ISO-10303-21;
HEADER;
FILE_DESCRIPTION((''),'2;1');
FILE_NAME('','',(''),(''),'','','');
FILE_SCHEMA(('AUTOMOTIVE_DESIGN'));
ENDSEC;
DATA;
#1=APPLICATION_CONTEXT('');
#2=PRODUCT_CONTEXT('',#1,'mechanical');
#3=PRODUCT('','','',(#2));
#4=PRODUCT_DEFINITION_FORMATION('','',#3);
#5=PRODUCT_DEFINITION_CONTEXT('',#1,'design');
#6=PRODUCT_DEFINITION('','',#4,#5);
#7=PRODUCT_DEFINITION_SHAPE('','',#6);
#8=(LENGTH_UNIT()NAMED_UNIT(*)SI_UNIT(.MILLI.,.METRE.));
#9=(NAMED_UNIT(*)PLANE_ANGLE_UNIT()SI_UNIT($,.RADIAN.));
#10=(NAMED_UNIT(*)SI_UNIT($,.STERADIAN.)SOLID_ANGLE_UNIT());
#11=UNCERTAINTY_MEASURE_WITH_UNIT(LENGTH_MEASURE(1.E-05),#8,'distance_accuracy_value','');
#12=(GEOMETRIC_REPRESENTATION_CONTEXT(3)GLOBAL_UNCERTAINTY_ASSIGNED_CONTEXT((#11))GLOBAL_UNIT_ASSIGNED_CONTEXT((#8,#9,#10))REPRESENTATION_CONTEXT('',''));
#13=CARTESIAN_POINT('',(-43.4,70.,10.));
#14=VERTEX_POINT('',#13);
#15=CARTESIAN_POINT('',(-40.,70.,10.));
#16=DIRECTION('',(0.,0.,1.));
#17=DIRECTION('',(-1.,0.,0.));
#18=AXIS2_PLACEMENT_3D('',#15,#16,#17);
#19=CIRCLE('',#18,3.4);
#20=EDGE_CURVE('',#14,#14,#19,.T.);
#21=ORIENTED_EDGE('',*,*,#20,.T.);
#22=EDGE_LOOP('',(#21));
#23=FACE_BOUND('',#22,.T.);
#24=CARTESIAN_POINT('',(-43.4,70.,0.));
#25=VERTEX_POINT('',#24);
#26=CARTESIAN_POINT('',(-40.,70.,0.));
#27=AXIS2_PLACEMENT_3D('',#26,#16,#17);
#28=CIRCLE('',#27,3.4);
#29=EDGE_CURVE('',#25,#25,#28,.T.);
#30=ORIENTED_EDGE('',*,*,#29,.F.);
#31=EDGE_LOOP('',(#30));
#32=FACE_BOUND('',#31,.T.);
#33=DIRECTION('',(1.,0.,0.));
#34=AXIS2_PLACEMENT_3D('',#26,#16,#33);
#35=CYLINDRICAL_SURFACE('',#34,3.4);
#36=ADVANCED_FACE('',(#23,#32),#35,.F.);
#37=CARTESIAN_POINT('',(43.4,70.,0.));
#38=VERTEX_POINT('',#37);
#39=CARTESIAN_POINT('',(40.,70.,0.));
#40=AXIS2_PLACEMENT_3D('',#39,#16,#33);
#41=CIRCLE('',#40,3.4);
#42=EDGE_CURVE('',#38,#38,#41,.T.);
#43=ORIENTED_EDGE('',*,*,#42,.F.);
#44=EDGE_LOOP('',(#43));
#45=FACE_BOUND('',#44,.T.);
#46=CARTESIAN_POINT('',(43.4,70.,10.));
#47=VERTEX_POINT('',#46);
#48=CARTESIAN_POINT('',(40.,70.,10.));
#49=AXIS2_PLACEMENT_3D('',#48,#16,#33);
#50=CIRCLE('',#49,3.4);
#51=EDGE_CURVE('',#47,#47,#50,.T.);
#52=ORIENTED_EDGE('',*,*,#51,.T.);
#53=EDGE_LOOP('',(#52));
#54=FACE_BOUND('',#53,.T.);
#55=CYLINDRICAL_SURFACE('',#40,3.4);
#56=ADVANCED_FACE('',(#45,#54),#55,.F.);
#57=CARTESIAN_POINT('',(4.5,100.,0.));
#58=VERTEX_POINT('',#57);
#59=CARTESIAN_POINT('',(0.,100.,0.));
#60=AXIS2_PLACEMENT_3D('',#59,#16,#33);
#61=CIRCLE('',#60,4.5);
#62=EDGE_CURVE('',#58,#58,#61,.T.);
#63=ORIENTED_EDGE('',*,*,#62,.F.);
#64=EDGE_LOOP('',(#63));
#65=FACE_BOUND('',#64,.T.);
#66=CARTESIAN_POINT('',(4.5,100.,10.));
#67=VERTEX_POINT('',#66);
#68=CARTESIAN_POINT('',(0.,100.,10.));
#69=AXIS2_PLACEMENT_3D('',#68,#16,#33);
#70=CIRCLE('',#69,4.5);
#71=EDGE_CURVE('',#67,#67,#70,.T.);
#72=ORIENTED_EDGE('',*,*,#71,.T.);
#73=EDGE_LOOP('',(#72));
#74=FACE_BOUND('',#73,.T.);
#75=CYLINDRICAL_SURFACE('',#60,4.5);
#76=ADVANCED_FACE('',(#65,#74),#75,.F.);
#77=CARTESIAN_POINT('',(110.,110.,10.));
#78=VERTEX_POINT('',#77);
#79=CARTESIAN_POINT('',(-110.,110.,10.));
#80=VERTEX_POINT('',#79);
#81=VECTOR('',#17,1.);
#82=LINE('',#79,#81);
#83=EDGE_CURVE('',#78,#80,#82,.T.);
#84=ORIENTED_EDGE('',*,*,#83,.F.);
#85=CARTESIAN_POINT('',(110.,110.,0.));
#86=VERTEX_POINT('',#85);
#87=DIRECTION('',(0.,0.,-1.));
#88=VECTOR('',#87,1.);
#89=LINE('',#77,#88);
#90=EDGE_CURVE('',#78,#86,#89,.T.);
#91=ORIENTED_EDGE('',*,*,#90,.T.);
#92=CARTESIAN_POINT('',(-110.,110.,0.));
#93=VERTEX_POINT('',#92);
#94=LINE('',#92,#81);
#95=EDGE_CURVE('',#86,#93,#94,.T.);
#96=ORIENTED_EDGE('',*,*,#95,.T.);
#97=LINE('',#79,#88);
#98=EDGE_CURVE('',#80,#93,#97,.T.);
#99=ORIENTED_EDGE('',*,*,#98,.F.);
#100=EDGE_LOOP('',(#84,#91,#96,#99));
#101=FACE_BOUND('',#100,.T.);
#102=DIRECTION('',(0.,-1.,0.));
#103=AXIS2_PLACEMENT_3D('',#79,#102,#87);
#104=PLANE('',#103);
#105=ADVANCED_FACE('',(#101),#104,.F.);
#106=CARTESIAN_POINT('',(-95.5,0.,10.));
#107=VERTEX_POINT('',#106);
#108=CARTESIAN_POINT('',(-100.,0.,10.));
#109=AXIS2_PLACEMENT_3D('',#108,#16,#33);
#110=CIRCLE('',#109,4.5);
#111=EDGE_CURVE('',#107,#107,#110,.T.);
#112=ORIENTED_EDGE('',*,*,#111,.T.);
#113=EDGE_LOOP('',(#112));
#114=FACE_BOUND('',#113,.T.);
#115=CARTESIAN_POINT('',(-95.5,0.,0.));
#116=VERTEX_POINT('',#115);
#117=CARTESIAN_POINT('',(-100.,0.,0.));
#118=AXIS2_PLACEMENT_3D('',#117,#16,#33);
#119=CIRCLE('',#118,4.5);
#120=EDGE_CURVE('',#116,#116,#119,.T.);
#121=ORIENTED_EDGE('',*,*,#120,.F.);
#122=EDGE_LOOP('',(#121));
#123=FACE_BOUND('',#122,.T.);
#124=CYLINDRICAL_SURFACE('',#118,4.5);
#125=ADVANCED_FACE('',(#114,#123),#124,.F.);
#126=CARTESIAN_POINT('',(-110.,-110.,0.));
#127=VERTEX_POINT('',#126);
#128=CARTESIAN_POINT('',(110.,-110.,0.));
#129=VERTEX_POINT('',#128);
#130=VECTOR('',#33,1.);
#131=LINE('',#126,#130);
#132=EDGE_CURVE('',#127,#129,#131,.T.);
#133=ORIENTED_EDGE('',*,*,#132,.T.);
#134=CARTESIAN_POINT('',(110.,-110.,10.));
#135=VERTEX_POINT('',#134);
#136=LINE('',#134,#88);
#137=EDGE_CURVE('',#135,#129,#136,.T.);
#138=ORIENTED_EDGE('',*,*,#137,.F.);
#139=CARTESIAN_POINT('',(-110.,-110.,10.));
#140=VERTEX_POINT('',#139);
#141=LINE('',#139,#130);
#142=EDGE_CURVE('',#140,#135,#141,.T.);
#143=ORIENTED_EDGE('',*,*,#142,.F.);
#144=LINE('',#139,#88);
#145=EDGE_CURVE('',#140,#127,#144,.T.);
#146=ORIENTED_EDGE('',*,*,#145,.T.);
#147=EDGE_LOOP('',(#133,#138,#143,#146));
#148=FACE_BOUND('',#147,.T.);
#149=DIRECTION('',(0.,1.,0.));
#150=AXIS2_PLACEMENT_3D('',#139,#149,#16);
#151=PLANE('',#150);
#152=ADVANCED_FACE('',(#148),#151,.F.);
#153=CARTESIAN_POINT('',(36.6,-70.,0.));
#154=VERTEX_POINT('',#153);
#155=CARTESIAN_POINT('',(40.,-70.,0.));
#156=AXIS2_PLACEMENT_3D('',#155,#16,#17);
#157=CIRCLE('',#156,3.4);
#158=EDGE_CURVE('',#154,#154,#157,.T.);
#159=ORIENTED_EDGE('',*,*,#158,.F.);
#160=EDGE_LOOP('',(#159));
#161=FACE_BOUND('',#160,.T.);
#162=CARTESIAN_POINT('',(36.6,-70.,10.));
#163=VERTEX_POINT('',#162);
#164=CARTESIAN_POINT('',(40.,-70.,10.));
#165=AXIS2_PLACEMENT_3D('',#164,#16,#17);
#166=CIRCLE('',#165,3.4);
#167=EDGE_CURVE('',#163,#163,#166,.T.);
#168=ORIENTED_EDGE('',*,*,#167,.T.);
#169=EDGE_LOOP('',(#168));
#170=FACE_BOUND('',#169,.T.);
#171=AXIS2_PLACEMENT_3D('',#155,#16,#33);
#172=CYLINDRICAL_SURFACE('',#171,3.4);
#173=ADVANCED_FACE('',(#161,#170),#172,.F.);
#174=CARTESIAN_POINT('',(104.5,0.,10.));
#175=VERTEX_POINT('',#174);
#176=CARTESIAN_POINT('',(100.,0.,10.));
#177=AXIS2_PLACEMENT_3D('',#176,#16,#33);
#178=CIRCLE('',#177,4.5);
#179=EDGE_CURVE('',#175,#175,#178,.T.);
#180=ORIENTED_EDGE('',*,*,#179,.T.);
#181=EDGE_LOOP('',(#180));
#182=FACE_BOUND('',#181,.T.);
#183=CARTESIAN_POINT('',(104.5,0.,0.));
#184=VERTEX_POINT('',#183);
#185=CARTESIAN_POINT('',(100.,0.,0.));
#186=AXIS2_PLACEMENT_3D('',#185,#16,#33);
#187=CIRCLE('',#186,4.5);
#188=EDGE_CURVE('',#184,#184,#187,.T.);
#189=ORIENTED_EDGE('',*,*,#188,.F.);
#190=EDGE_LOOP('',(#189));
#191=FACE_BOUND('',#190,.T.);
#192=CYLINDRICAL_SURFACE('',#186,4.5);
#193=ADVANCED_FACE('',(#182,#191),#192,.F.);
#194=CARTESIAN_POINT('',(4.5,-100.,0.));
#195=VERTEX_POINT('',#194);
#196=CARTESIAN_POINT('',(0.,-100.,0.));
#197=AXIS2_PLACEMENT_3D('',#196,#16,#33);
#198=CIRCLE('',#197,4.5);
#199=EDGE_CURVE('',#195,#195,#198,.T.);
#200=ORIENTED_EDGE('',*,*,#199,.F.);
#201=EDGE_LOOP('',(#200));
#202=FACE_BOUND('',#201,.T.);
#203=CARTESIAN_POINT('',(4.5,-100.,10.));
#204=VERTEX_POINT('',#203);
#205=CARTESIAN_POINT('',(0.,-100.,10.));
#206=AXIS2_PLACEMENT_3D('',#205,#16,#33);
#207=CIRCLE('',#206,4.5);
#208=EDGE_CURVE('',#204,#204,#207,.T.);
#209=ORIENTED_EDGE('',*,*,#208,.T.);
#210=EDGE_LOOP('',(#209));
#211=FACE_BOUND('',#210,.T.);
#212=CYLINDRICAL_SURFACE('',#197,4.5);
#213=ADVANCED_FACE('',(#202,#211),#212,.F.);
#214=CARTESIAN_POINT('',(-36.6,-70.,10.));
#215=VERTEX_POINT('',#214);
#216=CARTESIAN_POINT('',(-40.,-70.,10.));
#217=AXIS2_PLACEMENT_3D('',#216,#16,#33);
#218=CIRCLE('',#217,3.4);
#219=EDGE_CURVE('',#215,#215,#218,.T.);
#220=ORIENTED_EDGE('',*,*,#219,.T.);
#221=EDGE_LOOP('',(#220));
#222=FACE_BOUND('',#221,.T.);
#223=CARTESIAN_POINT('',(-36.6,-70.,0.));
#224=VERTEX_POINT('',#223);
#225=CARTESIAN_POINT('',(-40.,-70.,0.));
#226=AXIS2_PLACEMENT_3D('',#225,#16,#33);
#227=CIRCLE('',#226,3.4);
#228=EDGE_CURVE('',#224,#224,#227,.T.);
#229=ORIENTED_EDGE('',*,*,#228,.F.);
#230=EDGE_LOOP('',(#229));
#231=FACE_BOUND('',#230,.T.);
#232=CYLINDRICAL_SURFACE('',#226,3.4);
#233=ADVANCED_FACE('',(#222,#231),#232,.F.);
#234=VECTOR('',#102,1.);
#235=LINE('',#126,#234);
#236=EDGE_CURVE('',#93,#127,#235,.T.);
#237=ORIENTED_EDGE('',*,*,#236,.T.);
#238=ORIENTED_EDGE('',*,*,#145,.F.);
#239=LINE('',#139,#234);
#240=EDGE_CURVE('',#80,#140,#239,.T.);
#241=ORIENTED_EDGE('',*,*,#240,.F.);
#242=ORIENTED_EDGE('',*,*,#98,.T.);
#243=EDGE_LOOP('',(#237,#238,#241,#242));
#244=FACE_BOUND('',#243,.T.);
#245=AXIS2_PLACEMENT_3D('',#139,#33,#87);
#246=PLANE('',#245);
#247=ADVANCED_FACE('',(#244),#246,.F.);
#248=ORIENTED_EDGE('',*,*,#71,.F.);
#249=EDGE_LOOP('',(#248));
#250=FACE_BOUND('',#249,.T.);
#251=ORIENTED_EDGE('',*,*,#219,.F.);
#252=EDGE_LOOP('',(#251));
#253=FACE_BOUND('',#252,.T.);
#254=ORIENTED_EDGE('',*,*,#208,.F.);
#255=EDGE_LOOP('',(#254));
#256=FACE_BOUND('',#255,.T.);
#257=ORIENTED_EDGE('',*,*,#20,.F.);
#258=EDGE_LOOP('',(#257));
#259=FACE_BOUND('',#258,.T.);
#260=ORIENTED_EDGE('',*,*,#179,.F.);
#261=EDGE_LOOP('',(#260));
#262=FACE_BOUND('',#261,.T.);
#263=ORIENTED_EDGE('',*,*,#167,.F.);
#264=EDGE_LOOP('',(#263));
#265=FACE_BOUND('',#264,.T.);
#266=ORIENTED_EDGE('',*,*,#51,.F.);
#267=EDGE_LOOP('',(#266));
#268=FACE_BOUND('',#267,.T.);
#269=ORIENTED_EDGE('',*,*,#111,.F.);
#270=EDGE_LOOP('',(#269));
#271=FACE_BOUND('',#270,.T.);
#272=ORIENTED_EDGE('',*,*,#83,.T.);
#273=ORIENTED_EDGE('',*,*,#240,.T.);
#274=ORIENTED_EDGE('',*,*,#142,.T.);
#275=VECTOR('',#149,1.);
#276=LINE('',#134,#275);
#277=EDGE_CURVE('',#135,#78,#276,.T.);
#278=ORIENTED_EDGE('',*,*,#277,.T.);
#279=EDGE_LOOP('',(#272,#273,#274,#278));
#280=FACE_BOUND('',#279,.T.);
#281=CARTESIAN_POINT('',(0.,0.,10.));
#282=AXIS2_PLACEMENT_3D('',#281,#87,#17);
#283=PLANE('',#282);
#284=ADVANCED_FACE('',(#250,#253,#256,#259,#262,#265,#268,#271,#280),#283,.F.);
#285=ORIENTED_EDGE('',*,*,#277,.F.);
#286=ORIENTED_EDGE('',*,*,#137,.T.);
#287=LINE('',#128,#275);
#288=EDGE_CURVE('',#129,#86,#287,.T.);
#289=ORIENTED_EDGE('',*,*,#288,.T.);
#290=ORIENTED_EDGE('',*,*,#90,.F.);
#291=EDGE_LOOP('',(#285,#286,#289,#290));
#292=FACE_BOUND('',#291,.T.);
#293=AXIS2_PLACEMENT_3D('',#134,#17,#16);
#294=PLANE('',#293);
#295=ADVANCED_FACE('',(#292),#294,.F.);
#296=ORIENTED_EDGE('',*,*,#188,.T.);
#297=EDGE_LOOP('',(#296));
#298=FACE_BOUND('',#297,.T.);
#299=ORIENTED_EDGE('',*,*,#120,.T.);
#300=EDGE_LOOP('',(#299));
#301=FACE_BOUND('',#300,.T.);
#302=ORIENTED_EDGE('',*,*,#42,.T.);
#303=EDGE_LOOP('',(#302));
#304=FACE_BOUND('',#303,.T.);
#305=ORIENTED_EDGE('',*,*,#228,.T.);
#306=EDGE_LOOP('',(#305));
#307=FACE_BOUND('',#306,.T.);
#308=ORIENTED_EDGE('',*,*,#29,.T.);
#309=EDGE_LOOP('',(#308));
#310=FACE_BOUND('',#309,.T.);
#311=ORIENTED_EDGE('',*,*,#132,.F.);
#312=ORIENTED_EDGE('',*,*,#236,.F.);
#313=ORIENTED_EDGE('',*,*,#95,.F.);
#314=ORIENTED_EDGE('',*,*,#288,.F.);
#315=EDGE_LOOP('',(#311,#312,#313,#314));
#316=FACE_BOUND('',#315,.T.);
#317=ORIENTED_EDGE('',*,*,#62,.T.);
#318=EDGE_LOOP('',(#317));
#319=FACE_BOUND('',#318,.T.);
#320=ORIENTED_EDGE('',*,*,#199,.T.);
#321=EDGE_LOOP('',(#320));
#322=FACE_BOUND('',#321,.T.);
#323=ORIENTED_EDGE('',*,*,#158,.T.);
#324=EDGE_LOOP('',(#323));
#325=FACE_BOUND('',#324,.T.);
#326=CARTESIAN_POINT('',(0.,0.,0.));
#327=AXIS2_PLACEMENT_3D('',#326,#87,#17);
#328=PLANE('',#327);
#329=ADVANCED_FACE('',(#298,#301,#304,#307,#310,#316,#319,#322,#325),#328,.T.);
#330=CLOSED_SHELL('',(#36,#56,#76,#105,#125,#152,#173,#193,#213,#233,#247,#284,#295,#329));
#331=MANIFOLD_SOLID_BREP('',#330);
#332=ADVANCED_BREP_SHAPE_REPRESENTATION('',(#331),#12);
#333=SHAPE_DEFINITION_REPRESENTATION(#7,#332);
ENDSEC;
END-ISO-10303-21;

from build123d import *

# Parameters (mm, degrees)
SKIZZE1_W                       = 220
SKIZZE1_H                       = 220
AUFSATZ_LINEAR_AUSTRAGEN1_DEPTH = 10
SKIZZE3_R                       = 4.5
SCHNITT_LINEAR_AUSTRAGEN1_DEPTH = 156.884572681
SKIZZE4_R                       = 3.4
SCHNITT_LINEAR_AUSTRAGEN2_DEPTH = 156.884572681


with BuildPart() as part:
    # Skizze1 → Aufsatz-Linear austragen1 (new body)
    with BuildSketch(Plane.XY):
        Rectangle(SKIZZE1_W, SKIZZE1_H)
    extrude(amount=AUFSATZ_LINEAR_AUSTRAGEN1_DEPTH)

    # Skizze3 → Schnitt-Linear austragen1 (cut, through all)
    with BuildSketch(Plane.XY.offset(10)):
        with Locations((100, 0)):
            Circle(SKIZZE3_R)
        with Locations((0, -100)):
            Circle(SKIZZE3_R)
        with Locations((-100, 0)):
            Circle(SKIZZE3_R)
        with Locations((0, 100)):
            Circle(SKIZZE3_R)
    extrude(amount=-SCHNITT_LINEAR_AUSTRAGEN1_DEPTH, mode=Mode.SUBTRACT)

    # Skizze4 → Schnitt-Linear austragen2 (cut, through all)
    with BuildSketch(Plane.XY.offset(10)):
        with Locations((40, 70)):
            Circle(SKIZZE4_R)
        with Locations(Location((-40, 70, 0), (0, 0, 180))):
            Circle(SKIZZE4_R)
        with Locations(Location((40, -70, 0), (0, 0, 180))):
            Circle(SKIZZE4_R)
        with Locations((-40, -70)):
            Circle(SKIZZE4_R)
    extrude(amount=-SCHNITT_LINEAR_AUSTRAGEN2_DEPTH, mode=Mode.SUBTRACT)


solid = part.part
